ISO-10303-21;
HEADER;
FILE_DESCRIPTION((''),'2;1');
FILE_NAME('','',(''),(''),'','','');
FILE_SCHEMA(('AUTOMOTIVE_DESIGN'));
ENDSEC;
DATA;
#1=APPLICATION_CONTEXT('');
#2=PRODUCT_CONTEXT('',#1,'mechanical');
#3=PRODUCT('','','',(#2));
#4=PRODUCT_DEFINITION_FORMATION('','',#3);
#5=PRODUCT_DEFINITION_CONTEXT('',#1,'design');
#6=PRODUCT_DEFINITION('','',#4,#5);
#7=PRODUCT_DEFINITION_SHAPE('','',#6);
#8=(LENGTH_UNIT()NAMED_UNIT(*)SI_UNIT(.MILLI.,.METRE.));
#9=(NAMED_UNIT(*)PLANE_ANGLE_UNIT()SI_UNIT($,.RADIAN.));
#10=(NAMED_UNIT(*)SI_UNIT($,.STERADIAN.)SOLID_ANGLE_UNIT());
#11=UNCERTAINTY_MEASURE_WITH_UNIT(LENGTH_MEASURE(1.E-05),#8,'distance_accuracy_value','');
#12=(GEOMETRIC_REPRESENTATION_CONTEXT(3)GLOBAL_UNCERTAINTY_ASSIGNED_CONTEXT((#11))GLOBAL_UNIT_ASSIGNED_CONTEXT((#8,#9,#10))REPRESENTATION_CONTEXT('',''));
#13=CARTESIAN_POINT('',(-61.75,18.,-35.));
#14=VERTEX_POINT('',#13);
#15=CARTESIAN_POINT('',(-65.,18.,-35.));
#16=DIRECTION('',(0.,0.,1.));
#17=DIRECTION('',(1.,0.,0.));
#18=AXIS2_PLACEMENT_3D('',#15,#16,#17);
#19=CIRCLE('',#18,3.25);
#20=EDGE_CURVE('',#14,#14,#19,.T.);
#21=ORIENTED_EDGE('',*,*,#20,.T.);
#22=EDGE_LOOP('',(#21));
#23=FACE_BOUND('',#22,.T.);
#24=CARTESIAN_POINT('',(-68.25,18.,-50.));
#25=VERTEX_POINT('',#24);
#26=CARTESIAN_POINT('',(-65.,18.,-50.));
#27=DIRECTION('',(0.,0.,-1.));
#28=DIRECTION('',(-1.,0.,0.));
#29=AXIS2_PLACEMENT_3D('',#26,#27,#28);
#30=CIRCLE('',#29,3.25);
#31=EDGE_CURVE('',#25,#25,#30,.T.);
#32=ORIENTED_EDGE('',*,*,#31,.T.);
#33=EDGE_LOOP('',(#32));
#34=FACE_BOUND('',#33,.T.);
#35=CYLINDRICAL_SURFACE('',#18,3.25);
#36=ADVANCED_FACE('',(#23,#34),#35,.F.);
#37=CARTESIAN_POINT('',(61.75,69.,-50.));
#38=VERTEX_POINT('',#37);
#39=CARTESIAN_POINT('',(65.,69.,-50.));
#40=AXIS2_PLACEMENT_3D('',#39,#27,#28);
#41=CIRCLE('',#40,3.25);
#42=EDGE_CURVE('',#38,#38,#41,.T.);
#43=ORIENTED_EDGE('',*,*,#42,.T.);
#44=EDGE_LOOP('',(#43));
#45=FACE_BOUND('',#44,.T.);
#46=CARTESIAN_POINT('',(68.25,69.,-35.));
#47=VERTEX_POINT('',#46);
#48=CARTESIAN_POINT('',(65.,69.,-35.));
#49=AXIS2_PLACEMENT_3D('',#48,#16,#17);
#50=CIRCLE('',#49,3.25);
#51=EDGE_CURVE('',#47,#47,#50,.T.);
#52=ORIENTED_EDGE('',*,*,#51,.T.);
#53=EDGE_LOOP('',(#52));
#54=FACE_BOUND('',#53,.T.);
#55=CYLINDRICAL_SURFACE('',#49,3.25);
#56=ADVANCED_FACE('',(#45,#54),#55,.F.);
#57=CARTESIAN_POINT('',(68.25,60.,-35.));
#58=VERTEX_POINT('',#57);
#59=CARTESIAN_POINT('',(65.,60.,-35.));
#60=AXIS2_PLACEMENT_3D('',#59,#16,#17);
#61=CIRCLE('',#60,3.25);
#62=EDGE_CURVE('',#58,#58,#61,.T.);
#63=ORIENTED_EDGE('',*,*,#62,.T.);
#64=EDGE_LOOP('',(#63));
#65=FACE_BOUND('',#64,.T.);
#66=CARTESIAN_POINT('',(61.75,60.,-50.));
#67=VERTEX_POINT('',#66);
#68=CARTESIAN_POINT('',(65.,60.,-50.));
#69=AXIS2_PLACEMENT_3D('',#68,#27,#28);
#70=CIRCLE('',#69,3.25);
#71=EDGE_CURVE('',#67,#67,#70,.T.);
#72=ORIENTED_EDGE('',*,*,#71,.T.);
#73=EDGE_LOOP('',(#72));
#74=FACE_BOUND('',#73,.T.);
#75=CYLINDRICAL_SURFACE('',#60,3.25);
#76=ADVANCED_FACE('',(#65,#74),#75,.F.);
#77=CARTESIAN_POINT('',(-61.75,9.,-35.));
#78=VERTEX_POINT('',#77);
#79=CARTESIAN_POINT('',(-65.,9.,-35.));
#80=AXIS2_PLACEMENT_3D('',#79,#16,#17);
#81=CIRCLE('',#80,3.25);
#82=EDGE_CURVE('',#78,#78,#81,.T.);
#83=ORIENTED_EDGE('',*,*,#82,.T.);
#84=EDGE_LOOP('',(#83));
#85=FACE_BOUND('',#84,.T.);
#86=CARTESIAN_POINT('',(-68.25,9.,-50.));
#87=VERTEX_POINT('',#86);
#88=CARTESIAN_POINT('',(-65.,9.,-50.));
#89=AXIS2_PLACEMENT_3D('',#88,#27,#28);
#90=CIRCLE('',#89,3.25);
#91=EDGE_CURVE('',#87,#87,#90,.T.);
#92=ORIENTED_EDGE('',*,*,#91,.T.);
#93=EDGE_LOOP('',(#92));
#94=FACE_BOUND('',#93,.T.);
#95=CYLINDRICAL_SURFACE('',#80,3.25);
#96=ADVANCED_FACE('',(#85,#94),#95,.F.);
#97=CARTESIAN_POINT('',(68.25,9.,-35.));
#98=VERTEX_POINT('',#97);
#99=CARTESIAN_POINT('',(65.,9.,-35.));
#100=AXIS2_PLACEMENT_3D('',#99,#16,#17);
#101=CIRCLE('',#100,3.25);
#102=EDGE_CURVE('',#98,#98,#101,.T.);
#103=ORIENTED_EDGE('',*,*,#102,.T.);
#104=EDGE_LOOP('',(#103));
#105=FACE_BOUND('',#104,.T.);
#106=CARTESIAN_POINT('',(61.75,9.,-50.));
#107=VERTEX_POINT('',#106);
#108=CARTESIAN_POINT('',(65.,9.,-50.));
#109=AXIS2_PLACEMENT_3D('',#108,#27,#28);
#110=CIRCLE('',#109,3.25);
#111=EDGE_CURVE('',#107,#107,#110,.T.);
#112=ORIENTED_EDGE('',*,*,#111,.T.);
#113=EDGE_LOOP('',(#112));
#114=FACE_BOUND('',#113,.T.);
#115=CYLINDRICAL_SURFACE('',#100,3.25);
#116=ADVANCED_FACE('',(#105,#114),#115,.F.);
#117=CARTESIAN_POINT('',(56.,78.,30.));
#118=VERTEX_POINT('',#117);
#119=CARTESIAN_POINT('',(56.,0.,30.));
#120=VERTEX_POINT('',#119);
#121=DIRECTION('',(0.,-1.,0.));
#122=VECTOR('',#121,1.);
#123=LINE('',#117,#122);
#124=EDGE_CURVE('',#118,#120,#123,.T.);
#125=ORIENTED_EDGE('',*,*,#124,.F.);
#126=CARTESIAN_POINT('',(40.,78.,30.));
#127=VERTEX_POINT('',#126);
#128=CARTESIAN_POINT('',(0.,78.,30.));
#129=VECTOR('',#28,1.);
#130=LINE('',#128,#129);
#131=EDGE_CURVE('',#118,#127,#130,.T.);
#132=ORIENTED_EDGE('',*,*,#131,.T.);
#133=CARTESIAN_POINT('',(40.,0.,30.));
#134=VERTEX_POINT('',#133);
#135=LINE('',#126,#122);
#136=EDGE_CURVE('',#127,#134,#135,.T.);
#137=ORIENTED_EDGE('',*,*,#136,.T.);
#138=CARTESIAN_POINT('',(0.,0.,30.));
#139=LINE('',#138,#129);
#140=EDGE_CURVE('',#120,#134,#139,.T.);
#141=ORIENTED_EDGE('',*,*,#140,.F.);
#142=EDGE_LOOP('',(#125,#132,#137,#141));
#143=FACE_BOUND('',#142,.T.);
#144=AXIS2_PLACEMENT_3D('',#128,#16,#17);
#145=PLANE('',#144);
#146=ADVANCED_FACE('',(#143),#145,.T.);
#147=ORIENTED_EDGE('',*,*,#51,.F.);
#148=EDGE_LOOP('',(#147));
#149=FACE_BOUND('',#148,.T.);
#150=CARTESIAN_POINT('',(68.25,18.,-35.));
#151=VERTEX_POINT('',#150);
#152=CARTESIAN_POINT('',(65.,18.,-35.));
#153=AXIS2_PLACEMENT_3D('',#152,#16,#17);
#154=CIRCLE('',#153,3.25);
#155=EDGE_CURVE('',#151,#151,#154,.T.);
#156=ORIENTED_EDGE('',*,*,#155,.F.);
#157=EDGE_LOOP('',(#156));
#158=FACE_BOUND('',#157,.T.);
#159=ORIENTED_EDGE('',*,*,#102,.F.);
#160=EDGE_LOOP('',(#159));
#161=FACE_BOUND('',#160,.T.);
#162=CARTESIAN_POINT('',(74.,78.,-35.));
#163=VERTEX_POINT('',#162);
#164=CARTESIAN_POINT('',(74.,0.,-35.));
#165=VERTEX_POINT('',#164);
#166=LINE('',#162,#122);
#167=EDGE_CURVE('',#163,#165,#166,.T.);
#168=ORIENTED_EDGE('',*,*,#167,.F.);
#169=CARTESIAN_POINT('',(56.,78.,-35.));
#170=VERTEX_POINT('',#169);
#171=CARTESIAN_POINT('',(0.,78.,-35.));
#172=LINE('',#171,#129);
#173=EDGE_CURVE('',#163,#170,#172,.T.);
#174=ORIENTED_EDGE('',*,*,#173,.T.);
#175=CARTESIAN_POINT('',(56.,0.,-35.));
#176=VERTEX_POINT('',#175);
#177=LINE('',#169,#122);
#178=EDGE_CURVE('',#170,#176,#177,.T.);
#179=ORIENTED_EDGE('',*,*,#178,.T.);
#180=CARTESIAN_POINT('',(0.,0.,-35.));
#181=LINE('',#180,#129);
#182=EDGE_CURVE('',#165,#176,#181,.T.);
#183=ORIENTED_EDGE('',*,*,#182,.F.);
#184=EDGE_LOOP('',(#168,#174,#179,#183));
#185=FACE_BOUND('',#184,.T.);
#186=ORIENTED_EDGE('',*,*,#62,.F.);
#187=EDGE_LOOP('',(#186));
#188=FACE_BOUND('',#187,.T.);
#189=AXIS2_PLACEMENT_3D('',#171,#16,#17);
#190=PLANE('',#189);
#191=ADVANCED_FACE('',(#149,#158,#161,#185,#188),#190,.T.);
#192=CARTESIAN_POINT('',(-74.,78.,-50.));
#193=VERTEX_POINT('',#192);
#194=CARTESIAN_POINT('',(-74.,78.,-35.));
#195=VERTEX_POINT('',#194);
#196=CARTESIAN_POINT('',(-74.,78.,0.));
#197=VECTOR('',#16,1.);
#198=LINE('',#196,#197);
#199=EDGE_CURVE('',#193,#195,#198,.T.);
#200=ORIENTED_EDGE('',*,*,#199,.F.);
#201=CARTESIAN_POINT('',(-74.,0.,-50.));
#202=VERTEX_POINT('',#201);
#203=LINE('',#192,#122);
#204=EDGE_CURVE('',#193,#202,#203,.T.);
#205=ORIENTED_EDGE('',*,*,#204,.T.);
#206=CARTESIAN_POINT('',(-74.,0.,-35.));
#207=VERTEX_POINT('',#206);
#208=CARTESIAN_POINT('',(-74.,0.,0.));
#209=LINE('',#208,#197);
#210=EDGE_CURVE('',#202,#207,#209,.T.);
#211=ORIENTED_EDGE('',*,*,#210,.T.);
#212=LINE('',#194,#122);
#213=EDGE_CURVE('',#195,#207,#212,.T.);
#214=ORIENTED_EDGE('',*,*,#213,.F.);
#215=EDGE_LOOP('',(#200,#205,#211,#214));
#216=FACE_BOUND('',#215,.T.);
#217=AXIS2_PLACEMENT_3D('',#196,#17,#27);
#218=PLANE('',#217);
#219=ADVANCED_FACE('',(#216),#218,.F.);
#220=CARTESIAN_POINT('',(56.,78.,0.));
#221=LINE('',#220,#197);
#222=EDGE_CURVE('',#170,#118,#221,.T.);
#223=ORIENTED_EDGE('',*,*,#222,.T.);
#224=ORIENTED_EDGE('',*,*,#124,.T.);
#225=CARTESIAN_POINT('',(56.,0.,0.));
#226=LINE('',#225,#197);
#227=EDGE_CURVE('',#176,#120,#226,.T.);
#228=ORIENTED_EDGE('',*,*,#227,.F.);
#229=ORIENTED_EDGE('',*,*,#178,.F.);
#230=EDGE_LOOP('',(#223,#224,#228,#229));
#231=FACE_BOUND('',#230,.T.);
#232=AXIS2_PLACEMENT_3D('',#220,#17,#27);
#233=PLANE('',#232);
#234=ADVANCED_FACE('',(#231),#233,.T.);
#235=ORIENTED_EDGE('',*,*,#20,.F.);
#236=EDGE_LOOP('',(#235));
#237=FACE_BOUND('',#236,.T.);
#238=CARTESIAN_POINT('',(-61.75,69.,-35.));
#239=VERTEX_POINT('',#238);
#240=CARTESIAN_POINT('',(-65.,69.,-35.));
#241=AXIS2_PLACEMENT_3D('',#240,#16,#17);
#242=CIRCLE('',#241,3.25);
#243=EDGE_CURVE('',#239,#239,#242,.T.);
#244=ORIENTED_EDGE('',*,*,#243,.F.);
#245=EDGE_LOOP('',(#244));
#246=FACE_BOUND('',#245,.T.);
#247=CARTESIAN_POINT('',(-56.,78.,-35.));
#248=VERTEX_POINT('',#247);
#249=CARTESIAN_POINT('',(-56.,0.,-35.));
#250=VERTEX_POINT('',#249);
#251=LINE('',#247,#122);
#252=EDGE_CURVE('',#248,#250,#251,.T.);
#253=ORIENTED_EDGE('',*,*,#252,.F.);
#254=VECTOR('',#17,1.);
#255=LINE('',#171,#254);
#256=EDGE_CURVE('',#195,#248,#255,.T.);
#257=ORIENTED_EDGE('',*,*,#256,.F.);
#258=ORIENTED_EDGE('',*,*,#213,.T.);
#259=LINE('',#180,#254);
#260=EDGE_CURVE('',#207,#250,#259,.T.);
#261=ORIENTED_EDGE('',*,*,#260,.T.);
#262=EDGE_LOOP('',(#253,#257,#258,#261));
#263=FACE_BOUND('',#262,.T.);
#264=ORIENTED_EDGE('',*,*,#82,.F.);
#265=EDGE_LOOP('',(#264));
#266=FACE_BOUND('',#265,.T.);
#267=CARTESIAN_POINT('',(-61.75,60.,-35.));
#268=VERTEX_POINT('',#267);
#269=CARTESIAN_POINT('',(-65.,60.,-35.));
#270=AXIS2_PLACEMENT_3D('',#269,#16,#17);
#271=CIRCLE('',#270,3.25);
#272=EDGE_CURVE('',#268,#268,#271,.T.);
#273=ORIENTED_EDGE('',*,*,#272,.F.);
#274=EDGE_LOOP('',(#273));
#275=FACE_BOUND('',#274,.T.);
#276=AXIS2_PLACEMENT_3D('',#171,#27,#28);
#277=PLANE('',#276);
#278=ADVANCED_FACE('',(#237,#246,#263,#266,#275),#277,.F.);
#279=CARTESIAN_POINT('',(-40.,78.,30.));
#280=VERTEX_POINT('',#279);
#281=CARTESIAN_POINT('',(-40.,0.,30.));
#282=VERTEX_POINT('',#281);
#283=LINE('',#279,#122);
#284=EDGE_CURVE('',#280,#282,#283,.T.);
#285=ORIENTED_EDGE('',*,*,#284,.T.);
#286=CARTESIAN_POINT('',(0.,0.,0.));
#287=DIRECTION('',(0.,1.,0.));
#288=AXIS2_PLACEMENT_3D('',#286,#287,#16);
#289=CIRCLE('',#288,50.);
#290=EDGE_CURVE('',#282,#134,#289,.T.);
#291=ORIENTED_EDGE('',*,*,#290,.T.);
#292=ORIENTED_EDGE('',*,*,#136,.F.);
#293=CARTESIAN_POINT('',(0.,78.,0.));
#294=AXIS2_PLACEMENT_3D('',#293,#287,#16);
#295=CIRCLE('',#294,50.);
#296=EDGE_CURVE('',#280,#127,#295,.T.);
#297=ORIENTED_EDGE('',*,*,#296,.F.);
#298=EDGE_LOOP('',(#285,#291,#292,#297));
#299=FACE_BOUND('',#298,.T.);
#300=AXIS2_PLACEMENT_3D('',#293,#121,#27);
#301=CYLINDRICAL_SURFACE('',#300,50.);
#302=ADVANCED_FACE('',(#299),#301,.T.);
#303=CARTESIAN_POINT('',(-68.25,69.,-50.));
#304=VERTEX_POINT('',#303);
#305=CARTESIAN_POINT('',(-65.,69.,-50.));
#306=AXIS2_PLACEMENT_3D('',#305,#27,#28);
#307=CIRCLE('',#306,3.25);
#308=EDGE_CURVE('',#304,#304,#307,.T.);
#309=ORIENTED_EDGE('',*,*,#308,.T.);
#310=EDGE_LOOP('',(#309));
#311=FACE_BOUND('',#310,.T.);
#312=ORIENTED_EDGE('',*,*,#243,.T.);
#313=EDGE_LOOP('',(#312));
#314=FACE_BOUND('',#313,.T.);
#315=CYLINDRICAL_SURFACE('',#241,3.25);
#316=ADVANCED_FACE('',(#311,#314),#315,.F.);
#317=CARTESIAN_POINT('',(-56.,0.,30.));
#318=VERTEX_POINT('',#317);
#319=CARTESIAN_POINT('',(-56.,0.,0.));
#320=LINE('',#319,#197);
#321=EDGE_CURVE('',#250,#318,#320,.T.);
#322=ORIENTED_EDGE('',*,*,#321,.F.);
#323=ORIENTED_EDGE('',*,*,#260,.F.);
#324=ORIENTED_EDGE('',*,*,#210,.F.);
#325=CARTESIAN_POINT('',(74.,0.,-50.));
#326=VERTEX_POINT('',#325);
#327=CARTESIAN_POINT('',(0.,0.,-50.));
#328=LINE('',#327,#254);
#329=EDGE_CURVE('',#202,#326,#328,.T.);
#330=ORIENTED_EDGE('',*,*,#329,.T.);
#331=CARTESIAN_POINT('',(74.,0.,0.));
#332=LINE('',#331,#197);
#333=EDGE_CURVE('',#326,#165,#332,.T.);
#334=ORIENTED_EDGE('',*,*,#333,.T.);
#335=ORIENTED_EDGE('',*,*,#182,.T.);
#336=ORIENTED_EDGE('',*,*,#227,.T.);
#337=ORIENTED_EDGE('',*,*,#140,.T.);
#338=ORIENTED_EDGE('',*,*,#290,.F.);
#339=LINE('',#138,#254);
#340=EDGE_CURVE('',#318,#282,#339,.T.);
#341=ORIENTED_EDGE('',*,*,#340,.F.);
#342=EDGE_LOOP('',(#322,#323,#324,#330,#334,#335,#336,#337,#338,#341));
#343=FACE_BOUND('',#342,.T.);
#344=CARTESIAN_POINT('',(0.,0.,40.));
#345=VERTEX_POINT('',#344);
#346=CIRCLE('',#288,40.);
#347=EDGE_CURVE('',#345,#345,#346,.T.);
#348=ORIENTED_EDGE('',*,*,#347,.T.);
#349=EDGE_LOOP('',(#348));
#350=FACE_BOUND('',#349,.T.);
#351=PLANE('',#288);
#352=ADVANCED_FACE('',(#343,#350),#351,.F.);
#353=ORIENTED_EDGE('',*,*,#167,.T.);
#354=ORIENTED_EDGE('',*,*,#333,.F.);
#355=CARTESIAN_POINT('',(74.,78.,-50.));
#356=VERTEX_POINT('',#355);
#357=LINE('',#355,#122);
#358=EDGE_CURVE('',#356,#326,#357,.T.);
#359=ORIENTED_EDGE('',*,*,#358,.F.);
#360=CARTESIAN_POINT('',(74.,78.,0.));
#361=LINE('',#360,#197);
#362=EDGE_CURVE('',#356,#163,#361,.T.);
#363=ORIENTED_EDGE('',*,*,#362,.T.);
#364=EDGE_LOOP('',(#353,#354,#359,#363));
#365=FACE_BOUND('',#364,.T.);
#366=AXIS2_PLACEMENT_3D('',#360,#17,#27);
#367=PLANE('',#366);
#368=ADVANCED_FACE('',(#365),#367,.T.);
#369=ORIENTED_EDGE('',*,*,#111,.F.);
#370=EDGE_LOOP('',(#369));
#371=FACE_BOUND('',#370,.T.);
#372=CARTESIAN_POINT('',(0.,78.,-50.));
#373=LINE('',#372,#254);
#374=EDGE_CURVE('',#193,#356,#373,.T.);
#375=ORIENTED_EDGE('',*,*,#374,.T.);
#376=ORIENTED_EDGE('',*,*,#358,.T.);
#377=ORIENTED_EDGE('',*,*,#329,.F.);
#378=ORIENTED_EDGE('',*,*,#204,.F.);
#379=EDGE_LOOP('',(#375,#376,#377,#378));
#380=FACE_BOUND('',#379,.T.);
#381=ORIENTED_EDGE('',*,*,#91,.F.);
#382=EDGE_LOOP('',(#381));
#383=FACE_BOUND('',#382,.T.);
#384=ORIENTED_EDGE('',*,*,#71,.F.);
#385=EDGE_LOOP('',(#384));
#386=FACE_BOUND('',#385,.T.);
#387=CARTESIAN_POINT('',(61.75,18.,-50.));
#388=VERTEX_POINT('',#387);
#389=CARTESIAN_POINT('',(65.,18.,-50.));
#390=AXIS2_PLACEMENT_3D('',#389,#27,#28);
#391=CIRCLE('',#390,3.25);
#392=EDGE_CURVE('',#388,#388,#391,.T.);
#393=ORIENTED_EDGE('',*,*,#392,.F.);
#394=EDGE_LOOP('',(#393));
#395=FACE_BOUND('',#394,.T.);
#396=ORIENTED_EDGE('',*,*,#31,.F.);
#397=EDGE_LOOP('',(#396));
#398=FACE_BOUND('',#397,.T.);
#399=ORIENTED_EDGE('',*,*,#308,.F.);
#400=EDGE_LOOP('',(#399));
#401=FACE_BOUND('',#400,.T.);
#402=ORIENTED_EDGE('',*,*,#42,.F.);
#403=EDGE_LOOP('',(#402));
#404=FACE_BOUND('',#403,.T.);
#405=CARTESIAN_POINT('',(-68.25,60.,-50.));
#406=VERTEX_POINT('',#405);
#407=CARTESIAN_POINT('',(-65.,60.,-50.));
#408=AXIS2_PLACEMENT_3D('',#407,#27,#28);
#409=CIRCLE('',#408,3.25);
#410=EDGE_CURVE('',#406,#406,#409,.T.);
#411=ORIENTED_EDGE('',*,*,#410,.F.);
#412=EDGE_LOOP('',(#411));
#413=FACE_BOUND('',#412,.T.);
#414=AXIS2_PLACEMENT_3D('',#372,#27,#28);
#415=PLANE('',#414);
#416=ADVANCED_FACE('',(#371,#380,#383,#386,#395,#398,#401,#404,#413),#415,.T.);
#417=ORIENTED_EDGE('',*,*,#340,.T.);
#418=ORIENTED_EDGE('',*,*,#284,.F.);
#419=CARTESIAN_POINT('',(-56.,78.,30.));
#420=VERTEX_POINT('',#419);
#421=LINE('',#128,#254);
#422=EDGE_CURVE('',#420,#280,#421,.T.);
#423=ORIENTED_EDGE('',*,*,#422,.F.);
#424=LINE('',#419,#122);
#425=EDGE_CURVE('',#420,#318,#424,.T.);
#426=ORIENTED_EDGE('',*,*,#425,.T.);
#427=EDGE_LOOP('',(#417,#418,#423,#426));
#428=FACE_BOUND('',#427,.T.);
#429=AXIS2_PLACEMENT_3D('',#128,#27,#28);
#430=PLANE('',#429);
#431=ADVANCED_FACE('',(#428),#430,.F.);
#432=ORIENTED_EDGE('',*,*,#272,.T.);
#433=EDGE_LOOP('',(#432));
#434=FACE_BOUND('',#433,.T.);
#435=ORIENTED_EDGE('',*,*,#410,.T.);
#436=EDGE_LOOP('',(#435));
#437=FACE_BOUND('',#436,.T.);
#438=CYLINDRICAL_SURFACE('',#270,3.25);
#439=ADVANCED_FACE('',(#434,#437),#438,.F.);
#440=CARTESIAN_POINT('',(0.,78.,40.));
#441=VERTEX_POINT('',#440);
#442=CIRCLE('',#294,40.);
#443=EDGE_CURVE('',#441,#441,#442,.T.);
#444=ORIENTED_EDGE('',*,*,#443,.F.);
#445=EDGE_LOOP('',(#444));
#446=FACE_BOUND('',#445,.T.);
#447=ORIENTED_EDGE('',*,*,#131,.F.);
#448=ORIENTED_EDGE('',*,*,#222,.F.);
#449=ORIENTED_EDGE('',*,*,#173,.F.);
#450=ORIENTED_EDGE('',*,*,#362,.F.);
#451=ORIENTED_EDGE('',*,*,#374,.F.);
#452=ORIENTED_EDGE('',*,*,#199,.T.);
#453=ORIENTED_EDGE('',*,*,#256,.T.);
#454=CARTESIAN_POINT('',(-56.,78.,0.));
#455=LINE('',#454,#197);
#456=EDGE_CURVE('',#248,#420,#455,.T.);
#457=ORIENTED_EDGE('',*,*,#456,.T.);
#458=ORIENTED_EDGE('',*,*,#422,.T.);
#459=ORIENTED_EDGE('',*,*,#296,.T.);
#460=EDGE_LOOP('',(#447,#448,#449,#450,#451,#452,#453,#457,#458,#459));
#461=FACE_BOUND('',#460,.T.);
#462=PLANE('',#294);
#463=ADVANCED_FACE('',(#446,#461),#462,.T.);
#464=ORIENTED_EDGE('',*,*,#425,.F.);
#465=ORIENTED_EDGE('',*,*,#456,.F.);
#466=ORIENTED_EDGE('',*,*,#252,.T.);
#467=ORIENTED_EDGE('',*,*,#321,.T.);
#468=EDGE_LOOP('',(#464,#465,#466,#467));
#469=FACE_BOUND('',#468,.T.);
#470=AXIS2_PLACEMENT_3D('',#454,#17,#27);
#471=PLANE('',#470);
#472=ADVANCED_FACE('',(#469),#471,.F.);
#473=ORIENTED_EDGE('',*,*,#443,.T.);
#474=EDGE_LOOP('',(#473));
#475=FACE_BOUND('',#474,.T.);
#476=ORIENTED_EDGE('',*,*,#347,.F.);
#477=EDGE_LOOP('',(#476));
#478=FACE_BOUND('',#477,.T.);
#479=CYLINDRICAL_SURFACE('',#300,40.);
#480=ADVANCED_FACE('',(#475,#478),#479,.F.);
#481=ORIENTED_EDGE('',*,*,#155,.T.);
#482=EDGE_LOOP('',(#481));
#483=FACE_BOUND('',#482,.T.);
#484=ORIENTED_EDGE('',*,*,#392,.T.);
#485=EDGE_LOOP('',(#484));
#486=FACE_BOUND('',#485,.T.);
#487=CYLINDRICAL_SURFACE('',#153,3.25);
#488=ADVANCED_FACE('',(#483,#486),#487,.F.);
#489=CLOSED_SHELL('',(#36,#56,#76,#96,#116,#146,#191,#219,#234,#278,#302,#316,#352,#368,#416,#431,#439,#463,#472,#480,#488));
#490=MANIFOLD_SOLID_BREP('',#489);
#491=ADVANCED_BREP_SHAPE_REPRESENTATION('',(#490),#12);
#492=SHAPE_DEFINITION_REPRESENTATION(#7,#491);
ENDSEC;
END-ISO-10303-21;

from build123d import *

# Parameters (mm, degrees)
SKETCH1_R                            = 40
BOSS_EXTRUDE1_DEPTH                  = 78
F_6_5_6_5_DIAMETER_HOLE1_D           = 6.5
MIRROR2_AT_THE_SECOND_PLANE_COPY_1_D = 6.5


with BuildPart() as part:
    # Sketch1 → Boss-Extrude1 (new body)
    with BuildSketch(Plane(origin=(0, 0, 0), x_dir=(1, 0, 0), z_dir=(0, 1, 0))):
        with BuildLine():
            Line((-74, 50), (-74, 35))
            Line((-74, 35), (-56, 35))
            Line((-56, 35), (-56, -30))
            Line((-56, -30), (-40, -30))
            ThreePointArc((-40, -30), (0, -50), (40, -30))
            Line((40, -30), (56, -30))
            Line((56, -30), (56, 35))
            Line((56, 35), (74, 35))
            Line((74, 35), (74, 50))
            Line((74, 50), (-74, 50))
        make_face()
        with Locations(Location((0, 0, 0), (0, 0, 270))):
            Circle(SKETCH1_R, mode=Mode.SUBTRACT)
    extrude(amount=BOSS_EXTRUDE1_DEPTH)

    # Ø6.5 (6.5) Diameter Hole1 (through all)
    with Locations(Plane(origin=(65, 69, -35), x_dir=(1, 0, 0), z_dir=(0, 0, 1))):
        with Locations((0, 0), (0, -9)):
            f_6_5_6_5_diameter_hole1 = Hole(F_6_5_6_5_DIAMETER_HOLE1_D / 2)

    # Mirror2: Ø6.5 (6.5) Diameter Hole1 across plane
    add(f_6_5_6_5_diameter_hole1.mirror(Plane.ZX.offset(39)), mode=Mode.SUBTRACT)

    # Mirror2 at the second plane: Ø6.5 (6.5) Diameter Hole1 across plane
    add(f_6_5_6_5_diameter_hole1.mirror(Plane(origin=(0, 0, 0), x_dir=(0, 0, 1), z_dir=(1, 0, 0))), mode=Mode.SUBTRACT)

    # Mirror2 at the second plane copy 1 (through all)
    with Locations(Plane(origin=(-65, 9, -35), x_dir=(-1, 0, 0), z_dir=(0, 0, 1))):
        with Locations((0, 0), (0, -9)):
            Hole(MIRROR2_AT_THE_SECOND_PLANE_COPY_1_D / 2)


solid = part.part
